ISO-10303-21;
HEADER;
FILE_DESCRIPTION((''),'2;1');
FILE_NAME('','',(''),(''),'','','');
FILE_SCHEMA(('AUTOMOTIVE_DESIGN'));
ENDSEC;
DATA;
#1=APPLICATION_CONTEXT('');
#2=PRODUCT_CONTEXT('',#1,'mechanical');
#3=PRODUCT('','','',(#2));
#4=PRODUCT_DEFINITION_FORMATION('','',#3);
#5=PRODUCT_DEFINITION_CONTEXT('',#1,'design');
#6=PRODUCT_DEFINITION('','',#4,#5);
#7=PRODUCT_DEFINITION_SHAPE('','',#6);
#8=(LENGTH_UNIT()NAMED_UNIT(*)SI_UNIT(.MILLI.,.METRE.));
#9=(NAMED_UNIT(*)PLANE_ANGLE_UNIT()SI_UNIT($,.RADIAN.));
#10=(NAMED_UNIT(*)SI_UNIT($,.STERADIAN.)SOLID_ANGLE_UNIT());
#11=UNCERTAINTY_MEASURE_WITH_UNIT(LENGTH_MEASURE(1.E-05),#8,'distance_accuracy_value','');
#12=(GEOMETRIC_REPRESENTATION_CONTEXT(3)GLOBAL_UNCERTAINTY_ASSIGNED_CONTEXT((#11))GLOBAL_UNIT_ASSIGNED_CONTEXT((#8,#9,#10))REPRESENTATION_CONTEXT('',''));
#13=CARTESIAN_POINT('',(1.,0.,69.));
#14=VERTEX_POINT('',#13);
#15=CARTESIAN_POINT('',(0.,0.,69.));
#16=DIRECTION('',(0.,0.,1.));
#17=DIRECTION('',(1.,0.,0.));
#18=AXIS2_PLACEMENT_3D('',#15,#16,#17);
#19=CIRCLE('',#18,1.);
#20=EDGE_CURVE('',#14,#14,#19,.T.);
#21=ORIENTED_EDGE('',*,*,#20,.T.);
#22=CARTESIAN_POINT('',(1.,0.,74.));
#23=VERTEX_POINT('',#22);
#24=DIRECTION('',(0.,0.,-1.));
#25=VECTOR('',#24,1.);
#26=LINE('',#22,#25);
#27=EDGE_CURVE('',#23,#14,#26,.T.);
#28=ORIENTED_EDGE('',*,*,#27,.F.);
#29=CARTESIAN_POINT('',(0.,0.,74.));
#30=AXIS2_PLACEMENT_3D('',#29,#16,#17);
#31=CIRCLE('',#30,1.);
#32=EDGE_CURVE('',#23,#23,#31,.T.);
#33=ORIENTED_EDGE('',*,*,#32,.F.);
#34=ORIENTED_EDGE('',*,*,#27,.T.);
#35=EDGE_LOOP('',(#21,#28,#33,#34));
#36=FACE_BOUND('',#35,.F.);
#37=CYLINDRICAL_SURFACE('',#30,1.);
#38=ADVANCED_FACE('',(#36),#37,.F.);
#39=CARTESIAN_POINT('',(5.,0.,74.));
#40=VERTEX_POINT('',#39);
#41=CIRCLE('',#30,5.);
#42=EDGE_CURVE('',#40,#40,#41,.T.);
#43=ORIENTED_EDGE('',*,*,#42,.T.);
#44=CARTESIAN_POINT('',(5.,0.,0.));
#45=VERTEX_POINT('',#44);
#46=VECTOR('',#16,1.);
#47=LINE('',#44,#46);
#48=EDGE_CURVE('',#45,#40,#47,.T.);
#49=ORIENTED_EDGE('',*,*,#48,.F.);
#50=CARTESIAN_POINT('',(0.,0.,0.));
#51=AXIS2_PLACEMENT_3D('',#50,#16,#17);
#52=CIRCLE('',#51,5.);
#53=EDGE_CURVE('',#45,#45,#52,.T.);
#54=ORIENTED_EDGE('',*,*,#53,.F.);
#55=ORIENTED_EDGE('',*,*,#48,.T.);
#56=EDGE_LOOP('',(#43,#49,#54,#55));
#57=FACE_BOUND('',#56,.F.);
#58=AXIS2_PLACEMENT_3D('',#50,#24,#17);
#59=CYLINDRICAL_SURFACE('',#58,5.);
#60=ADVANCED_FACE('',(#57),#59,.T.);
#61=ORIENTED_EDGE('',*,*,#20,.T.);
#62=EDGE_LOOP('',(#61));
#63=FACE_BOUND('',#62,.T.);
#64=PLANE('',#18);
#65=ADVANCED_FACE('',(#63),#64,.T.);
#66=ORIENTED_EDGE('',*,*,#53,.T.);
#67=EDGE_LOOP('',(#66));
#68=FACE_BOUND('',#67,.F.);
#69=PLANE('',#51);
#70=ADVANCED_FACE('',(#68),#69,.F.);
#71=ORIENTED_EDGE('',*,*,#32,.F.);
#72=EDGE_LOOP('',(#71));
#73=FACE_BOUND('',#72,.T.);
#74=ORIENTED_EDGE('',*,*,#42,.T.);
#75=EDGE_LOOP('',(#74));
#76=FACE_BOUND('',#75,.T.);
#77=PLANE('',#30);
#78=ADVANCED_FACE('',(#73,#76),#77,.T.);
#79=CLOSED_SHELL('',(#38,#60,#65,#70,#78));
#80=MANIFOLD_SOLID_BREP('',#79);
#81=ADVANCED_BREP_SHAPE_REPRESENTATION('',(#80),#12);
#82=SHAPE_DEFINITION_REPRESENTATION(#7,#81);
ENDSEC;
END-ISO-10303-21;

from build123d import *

# Parameters (mm, degrees)
SKETCH009_R     = 5
PAD006_DEPTH    = 74
SKETCH010_R     = 1
POCKET002_DEPTH = 5
SKETCH011_R     = 1
POCKET003_DEPTH = 5


with BuildPart() as part:
    # Sketch009 → Pad006 (new body)
    with BuildSketch(Plane.XY):
        Circle(SKETCH009_R)
    extrude(amount=PAD006_DEPTH)

    # Sketch010 → Pocket002 (cut)
    with BuildSketch(Plane.XY):
        Circle(SKETCH010_R)
    extrude(amount=-POCKET002_DEPTH, mode=Mode.SUBTRACT)

    # Sketch011 (on Face4 of Pocket002) → Pocket003 (cut)
    with BuildSketch(Plane.XY.offset(74)):
        Circle(SKETCH011_R)
    extrude(amount=-POCKET003_DEPTH, mode=Mode.SUBTRACT)


solid = part.part
